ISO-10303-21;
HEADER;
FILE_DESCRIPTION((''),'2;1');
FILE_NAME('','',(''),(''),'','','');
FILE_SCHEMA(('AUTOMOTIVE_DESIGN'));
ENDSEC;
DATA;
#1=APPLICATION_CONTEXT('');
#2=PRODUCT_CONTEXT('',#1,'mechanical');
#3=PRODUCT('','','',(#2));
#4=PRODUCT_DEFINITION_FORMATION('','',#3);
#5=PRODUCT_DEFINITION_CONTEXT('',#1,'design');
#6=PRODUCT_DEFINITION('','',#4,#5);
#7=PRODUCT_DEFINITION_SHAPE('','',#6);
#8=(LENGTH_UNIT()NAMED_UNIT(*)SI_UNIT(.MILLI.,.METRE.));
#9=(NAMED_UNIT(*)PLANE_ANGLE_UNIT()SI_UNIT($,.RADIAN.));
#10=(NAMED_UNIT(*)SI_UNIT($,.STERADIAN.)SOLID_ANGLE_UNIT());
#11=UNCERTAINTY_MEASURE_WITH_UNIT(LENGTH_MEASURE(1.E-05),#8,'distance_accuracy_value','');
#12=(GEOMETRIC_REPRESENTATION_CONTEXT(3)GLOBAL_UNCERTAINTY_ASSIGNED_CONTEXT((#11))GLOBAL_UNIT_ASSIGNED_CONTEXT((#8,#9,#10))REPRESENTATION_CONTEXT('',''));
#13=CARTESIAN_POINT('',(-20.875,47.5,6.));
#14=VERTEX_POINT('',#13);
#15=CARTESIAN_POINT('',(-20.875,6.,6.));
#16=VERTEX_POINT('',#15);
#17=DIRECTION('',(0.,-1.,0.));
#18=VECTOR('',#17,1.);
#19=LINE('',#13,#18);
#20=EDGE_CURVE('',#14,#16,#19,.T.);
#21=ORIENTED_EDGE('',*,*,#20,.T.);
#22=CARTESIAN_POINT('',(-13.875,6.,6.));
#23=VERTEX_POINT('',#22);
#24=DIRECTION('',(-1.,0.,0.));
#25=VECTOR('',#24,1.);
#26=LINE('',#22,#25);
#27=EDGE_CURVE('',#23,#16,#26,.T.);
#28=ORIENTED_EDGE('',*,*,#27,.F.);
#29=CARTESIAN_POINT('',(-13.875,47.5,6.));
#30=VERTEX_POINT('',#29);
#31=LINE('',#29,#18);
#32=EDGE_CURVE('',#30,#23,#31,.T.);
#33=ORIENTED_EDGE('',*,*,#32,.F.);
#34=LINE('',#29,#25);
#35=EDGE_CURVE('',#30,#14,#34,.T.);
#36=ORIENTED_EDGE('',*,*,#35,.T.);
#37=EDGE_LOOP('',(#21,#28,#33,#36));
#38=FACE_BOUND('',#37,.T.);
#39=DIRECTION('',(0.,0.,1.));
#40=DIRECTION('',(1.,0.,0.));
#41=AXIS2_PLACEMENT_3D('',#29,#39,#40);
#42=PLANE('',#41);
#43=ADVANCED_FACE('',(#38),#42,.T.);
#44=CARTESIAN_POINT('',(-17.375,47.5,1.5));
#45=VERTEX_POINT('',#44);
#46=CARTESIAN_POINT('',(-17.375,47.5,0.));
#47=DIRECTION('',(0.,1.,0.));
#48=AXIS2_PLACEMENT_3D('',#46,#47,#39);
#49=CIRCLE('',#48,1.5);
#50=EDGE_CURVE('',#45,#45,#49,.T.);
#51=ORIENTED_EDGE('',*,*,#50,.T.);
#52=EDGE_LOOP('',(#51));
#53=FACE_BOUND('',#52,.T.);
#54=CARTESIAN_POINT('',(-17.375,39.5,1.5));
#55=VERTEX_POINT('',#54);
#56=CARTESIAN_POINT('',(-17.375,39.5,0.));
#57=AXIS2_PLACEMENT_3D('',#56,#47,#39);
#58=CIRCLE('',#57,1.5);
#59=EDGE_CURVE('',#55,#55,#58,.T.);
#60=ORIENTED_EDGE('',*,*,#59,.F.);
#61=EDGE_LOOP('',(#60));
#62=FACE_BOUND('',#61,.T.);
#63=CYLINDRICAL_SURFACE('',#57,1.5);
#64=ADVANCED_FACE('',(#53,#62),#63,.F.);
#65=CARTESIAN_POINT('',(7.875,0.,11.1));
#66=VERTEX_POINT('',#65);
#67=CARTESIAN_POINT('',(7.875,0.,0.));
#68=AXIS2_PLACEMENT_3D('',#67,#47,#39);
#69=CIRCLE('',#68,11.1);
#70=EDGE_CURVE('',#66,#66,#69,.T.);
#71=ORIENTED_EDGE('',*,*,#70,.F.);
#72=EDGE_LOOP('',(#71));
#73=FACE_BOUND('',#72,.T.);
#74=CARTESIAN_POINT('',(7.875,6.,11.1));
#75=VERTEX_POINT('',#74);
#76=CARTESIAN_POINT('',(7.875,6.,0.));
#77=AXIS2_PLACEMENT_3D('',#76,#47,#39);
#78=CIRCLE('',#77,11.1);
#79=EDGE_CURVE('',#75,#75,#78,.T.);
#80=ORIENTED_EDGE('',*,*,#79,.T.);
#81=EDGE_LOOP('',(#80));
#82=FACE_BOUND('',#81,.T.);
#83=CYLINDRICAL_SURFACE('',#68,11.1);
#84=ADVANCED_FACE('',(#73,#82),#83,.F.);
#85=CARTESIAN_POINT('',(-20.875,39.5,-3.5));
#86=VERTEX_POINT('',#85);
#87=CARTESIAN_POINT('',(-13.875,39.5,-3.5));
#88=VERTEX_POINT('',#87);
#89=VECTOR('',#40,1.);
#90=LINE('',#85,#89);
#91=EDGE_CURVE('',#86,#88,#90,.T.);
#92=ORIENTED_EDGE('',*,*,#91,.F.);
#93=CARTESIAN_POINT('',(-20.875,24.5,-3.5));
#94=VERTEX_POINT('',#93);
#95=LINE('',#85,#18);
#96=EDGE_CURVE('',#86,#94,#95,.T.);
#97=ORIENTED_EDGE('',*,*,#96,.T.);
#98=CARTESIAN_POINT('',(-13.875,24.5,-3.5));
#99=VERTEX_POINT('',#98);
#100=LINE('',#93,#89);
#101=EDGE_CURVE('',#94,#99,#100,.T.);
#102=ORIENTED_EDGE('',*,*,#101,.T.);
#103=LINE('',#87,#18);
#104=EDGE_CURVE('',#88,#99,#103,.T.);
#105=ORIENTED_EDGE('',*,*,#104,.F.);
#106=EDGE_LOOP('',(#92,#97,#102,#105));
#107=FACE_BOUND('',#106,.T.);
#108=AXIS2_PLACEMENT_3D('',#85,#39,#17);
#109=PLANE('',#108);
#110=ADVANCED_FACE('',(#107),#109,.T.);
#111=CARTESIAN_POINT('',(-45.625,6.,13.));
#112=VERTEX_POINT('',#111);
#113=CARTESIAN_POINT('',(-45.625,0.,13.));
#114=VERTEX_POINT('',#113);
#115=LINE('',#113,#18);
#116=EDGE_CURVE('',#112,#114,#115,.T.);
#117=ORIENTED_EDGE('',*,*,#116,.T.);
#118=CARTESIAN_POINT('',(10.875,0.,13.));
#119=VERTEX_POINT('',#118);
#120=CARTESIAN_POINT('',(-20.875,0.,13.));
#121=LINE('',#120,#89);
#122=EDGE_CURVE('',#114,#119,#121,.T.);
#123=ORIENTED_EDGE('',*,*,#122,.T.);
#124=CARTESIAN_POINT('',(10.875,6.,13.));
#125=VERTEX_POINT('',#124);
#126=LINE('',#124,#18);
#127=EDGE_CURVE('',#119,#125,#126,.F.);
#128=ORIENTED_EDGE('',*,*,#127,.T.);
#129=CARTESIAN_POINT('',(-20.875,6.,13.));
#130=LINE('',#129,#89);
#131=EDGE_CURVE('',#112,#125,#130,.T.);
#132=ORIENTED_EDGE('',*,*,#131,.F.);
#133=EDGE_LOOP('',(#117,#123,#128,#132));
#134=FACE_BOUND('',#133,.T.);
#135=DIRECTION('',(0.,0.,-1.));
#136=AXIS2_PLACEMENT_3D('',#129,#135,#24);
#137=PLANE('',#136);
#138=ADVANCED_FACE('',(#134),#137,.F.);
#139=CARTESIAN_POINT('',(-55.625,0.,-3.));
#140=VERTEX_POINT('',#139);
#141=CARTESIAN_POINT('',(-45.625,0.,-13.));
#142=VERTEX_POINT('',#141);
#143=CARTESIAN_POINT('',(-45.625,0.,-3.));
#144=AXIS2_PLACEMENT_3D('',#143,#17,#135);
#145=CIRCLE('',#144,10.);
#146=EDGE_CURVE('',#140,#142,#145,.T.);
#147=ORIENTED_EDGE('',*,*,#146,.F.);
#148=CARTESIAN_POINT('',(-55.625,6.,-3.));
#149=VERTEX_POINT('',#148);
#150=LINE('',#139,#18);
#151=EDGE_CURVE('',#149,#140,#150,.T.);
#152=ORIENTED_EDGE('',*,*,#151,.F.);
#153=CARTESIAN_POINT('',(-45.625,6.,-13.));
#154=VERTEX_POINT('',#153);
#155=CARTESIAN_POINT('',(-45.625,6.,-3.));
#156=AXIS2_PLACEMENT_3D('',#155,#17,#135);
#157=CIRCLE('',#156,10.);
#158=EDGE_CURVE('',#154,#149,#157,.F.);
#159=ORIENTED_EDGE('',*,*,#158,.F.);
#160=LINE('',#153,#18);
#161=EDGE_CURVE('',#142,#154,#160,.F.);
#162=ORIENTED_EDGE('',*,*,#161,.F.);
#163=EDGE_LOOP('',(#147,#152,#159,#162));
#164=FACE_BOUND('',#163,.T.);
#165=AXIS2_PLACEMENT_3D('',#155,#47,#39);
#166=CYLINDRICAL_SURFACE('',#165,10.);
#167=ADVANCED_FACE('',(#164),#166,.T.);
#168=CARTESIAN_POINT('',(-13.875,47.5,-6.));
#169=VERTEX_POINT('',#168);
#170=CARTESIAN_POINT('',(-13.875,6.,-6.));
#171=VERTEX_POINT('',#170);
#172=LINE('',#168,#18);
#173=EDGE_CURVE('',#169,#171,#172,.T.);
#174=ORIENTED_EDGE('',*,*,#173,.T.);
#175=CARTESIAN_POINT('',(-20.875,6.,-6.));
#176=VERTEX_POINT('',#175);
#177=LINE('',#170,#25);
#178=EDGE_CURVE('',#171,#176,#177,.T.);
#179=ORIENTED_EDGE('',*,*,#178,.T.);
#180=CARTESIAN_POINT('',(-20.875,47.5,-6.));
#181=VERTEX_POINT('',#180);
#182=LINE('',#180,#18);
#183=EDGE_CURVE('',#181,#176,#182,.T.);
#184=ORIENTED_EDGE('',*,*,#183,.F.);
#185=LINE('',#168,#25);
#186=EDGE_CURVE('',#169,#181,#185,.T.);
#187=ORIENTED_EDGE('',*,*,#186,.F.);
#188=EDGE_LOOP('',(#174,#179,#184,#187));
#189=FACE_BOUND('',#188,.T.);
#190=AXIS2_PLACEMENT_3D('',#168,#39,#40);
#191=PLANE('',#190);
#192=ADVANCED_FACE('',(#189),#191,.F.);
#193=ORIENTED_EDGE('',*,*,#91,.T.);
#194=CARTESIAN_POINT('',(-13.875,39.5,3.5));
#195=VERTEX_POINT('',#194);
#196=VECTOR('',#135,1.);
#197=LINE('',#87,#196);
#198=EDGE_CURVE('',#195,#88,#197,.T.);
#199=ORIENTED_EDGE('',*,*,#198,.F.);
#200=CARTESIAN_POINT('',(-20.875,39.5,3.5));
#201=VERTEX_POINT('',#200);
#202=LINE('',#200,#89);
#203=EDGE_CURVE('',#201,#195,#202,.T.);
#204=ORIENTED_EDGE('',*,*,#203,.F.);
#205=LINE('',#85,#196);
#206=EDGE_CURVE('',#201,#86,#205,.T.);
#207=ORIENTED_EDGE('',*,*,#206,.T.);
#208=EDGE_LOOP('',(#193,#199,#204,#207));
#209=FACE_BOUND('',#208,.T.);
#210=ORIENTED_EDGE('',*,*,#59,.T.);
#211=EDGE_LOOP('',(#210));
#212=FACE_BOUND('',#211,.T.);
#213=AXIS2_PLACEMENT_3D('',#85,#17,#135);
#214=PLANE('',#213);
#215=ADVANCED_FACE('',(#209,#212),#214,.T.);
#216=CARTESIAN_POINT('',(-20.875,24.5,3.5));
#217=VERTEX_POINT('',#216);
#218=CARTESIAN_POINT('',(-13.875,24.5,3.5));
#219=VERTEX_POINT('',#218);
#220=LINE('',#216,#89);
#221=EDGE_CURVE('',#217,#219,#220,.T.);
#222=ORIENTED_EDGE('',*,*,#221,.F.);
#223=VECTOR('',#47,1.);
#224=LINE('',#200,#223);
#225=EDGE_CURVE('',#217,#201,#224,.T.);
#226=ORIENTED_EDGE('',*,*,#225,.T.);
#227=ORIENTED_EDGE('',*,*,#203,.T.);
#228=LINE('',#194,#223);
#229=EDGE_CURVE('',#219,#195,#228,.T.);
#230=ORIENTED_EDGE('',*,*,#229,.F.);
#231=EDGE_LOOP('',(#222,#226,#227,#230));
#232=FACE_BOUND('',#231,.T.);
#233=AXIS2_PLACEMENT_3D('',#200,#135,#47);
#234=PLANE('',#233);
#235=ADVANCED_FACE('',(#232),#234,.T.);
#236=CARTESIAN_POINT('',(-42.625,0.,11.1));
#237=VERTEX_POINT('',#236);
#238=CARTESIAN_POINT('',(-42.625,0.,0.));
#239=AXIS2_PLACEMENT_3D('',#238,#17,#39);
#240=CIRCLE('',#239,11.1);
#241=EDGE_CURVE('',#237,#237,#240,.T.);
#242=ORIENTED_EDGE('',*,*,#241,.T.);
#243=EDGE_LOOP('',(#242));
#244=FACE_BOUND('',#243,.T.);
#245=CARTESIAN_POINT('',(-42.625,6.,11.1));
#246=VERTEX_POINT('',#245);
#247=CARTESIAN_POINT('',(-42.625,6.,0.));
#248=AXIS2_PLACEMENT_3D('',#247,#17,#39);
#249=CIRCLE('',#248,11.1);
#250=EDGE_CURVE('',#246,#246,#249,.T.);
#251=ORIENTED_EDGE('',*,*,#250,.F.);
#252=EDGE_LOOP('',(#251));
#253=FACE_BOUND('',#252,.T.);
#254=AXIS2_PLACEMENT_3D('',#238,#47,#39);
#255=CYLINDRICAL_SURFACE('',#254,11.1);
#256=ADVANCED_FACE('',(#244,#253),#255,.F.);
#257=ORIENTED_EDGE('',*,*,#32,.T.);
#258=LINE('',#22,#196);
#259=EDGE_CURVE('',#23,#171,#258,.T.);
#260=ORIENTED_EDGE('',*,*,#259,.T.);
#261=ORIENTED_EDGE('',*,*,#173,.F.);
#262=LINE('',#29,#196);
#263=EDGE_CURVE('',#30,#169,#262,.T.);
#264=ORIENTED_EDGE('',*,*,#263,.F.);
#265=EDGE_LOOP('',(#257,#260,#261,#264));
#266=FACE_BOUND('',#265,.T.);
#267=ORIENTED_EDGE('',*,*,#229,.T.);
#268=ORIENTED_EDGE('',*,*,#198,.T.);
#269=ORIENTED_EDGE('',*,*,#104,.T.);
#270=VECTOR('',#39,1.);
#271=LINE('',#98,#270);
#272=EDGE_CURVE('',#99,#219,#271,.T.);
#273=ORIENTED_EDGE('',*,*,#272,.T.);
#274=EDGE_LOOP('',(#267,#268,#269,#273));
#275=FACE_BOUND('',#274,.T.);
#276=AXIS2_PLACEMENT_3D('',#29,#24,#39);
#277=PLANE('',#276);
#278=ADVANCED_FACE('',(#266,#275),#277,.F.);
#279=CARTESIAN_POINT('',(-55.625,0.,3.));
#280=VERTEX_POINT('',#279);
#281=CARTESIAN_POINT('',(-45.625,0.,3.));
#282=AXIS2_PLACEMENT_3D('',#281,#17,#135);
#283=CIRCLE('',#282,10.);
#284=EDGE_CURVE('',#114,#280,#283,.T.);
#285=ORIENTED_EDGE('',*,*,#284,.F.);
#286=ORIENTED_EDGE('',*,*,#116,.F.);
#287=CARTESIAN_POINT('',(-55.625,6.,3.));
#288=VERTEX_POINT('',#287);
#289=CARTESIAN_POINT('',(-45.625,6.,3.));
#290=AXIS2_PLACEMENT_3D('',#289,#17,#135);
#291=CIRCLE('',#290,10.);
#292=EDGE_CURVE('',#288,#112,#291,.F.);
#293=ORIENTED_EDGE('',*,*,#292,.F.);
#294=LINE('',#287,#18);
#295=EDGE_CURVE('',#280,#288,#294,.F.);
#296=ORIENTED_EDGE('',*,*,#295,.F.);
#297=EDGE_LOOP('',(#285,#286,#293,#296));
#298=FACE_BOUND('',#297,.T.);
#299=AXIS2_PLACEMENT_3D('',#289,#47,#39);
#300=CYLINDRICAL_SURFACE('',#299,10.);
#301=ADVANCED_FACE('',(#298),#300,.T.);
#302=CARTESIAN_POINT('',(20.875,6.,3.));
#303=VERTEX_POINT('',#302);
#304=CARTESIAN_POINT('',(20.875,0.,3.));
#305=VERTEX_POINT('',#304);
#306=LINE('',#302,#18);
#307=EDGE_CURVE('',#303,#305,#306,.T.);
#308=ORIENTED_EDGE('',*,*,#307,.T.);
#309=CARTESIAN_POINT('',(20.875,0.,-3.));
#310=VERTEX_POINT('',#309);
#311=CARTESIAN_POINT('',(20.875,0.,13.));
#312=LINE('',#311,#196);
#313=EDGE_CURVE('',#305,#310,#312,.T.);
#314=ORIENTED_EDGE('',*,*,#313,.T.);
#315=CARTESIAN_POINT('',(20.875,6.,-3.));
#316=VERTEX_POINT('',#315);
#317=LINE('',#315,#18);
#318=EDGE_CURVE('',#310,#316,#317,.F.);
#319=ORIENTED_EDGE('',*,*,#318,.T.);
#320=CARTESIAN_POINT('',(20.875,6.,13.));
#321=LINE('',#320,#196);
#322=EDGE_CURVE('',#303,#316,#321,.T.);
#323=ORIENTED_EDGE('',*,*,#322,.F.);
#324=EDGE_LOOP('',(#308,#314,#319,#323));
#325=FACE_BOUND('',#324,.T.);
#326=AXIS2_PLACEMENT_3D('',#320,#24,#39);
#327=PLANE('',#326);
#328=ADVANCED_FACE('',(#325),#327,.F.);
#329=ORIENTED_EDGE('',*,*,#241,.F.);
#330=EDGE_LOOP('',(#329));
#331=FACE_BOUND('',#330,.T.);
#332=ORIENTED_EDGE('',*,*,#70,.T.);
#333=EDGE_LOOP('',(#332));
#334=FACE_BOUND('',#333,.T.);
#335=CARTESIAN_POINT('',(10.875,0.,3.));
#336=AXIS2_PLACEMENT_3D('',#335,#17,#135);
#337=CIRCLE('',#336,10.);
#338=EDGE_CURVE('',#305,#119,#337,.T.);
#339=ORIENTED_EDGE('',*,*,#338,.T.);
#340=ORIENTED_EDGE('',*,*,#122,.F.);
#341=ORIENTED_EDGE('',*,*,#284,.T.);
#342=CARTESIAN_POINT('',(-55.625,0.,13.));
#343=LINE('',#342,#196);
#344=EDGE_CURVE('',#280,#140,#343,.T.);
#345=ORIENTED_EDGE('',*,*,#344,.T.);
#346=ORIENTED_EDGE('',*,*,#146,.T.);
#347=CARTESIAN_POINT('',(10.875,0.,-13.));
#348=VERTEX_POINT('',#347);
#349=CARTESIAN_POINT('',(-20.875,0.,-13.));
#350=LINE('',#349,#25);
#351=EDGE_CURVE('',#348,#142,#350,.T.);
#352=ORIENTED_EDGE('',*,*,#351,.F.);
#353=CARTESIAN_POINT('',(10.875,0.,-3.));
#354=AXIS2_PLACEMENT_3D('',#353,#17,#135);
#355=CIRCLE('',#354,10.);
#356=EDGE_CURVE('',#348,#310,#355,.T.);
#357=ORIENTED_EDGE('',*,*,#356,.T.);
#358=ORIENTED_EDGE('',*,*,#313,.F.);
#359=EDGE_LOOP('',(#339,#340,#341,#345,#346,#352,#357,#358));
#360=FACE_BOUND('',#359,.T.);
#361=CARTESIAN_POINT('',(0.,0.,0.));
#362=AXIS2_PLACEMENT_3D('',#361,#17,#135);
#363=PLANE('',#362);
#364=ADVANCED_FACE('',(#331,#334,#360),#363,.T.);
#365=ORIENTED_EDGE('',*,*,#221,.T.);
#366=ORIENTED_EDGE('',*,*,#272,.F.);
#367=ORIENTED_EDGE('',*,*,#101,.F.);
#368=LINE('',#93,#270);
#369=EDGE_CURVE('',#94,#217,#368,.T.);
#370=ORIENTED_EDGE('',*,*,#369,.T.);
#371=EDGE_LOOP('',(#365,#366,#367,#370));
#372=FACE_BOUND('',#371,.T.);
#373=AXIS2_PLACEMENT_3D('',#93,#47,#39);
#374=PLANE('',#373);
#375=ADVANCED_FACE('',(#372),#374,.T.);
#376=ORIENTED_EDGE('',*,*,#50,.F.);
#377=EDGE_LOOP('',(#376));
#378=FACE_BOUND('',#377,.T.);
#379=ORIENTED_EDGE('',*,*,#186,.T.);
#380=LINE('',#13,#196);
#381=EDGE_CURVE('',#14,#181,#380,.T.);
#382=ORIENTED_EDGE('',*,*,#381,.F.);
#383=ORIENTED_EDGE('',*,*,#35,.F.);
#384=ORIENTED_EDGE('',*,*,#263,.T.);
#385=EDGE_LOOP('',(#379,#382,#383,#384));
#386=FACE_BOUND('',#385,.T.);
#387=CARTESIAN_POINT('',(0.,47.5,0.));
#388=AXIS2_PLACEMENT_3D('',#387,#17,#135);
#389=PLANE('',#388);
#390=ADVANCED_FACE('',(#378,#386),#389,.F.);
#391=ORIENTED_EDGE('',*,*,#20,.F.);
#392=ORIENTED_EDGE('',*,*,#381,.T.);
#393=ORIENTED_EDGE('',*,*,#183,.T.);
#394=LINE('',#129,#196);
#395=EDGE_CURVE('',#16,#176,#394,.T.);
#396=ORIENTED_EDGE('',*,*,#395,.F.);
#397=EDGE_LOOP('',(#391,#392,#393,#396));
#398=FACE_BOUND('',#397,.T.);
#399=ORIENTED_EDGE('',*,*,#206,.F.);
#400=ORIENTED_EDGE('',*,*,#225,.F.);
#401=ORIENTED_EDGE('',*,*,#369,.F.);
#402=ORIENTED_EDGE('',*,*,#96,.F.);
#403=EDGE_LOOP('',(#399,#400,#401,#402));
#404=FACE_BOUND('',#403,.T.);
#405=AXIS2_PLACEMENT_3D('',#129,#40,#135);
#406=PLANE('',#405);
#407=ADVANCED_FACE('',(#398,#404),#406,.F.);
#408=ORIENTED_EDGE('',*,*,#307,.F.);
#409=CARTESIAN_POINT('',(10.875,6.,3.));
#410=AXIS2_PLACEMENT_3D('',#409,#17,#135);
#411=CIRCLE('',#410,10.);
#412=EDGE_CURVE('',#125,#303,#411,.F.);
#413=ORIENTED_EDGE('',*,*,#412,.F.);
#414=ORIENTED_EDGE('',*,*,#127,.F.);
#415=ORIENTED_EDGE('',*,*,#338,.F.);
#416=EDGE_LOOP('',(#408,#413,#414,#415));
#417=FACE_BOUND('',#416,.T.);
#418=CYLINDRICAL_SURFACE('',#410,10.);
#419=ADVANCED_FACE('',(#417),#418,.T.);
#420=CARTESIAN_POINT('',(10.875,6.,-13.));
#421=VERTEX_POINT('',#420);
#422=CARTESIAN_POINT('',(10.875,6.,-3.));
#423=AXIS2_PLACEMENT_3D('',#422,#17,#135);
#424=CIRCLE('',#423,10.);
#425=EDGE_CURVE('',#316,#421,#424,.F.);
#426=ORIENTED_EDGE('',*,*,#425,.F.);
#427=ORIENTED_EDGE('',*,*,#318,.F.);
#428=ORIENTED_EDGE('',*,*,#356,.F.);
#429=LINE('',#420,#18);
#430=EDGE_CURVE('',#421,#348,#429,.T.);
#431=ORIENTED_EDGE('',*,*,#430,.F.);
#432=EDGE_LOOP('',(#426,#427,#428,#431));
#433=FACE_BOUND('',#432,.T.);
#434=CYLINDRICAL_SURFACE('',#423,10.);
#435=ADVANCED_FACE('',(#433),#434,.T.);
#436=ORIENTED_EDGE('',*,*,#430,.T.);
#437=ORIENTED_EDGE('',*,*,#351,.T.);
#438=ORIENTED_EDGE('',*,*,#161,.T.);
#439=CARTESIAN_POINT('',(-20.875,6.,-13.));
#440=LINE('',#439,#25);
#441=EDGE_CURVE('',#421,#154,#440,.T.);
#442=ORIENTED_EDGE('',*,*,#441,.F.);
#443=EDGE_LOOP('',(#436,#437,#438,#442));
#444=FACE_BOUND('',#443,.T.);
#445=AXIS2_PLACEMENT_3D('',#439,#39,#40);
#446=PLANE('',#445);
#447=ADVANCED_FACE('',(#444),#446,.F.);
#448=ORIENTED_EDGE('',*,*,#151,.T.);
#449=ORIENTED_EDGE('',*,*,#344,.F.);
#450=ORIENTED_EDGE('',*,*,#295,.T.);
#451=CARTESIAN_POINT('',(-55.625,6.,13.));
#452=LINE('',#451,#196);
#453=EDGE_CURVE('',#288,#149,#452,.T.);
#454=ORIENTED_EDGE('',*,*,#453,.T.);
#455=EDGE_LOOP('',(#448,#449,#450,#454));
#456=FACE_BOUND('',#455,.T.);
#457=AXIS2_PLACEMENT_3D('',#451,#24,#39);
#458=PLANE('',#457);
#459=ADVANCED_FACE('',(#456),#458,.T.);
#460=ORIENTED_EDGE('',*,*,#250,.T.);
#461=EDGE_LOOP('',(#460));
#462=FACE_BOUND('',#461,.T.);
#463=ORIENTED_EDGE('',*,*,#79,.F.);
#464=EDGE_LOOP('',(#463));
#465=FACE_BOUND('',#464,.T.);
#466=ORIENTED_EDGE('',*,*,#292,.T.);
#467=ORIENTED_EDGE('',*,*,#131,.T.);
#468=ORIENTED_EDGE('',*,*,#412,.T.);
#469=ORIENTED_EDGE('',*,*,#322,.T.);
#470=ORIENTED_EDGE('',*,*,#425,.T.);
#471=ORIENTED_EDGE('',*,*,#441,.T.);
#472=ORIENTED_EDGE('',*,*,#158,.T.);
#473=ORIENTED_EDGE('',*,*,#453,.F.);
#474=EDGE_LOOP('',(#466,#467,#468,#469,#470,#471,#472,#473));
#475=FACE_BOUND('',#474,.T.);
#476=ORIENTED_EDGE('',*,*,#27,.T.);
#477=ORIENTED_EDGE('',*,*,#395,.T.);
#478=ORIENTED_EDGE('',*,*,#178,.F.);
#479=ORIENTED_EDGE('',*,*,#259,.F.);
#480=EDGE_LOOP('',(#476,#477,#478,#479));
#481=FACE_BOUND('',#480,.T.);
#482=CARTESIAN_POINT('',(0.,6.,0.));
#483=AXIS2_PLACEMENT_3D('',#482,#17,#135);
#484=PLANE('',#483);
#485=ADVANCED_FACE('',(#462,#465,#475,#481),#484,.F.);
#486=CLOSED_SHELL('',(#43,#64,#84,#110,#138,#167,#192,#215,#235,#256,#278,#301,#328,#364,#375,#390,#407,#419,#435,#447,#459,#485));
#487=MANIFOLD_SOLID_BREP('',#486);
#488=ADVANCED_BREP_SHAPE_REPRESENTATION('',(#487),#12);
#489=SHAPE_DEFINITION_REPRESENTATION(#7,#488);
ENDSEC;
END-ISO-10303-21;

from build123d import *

# Parameters (mm, degrees)
SKETCH_1_W             = 41.75
SKETCH_1_H             = 26
EXTRUDE_1_DEPTH        = 6
SKETCH_2_R             = 11.1
CUT_EXTRUDE_1_DEPTH    = 6
SKETCH_3_W             = 7
SKETCH_3_H             = 12
EXTRUDE_2_DEPTH        = 41.5
SKETCH_4_W             = 7
SKETCH_4_H             = 15
CUT_EXTRUDE_2_DEPTH    = 7
FILLET_1_R             = 10
FILLET_1_OF_MIRROR_1_R = 10
SKETCH_5_R             = 1.5
CUT_EXTRUDE_4_DEPTH    = 8


with BuildPart() as part:
    # Эскиз1 → Бобышка-Вытянуть1 (new body)
    with BuildSketch(Plane(origin=(0, 0, 0), x_dir=(1, 0, 0), z_dir=(0, 1, 0))):
        Rectangle(SKETCH_1_W, SKETCH_1_H)
    extrude_1 = extrude(amount=EXTRUDE_1_DEPTH)

    # Эскиз2 → Вырез-Вытянуть1 (cut)
    with BuildSketch(Plane(origin=(0, 6, 0), x_dir=(1, 0, 0), z_dir=(0, 1, 0))):
        with Locations(Location((7.875, 0, 0), (0, 0, 270))):
            Circle(SKETCH_2_R)
    cut_extrude_1 = extrude(amount=-CUT_EXTRUDE_1_DEPTH, mode=Mode.SUBTRACT)

    # Эскиз3 → Бобышка-Вытянуть2 (add)
    with BuildSketch(Plane(origin=(0, 6, 0), x_dir=(1, 0, 0), z_dir=(0, 1, 0))):
        with Locations((-17.375, 0)):
            Rectangle(SKETCH_3_W, SKETCH_3_H)
    extrude_2 = extrude(amount=EXTRUDE_2_DEPTH)

    # Эскиз4 → Вырез-Вытянуть2 (cut)
    with BuildSketch(Plane.ZY.offset(20.875)):
        with Locations((0, 32)):
            Rectangle(SKETCH_4_W, SKETCH_4_H)
    cut_extrude_2 = extrude(amount=-CUT_EXTRUDE_2_DEPTH, mode=Mode.SUBTRACT)

    # Скругление1
    fillet_1_edges = [part.edges().sort_by_distance(p)[0] for p in [
        (20.875, 3, 13),
        (20.875, 3, -13),
    ]]
    fillet(fillet_1_edges, radius=FILLET_1_R)

    # Зеркальное отражение1: Бобышка-Вытянуть1, Вырез-Вытянуть1, Бобышка-Вытянуть2, Вырез-Вытянуть2 across plane
    add(extrude_1.mirror(Plane.ZY.offset(17.375)))
    add(cut_extrude_1.mirror(Plane.ZY.offset(17.375)), mode=Mode.SUBTRACT)
    add(extrude_2.mirror(Plane.ZY.offset(17.375)))
    add(cut_extrude_2.mirror(Plane.ZY.offset(17.375)), mode=Mode.SUBTRACT)

    # Скругление1 of Зеркальное отражение1
    fillet_1_of_mirror_1_edges = [part.edges().sort_by_distance(p)[0] for p in [
        (-55.625, 3, 13),
        (-55.625, 3, -13),
    ]]
    fillet(fillet_1_of_mirror_1_edges, radius=FILLET_1_OF_MIRROR_1_R)

    # Эскиз5 → Вырез-Вытянуть4 (cut)
    with BuildSketch(Plane(origin=(0, 47.5, 0), x_dir=(1, 0, 0), z_dir=(0, 1, 0))):
        with Locations(Location((-17.375, 0, 0), (0, 0, 270))):
            Circle(SKETCH_5_R)
    extrude(amount=-CUT_EXTRUDE_4_DEPTH, mode=Mode.SUBTRACT)


solid = part.part
